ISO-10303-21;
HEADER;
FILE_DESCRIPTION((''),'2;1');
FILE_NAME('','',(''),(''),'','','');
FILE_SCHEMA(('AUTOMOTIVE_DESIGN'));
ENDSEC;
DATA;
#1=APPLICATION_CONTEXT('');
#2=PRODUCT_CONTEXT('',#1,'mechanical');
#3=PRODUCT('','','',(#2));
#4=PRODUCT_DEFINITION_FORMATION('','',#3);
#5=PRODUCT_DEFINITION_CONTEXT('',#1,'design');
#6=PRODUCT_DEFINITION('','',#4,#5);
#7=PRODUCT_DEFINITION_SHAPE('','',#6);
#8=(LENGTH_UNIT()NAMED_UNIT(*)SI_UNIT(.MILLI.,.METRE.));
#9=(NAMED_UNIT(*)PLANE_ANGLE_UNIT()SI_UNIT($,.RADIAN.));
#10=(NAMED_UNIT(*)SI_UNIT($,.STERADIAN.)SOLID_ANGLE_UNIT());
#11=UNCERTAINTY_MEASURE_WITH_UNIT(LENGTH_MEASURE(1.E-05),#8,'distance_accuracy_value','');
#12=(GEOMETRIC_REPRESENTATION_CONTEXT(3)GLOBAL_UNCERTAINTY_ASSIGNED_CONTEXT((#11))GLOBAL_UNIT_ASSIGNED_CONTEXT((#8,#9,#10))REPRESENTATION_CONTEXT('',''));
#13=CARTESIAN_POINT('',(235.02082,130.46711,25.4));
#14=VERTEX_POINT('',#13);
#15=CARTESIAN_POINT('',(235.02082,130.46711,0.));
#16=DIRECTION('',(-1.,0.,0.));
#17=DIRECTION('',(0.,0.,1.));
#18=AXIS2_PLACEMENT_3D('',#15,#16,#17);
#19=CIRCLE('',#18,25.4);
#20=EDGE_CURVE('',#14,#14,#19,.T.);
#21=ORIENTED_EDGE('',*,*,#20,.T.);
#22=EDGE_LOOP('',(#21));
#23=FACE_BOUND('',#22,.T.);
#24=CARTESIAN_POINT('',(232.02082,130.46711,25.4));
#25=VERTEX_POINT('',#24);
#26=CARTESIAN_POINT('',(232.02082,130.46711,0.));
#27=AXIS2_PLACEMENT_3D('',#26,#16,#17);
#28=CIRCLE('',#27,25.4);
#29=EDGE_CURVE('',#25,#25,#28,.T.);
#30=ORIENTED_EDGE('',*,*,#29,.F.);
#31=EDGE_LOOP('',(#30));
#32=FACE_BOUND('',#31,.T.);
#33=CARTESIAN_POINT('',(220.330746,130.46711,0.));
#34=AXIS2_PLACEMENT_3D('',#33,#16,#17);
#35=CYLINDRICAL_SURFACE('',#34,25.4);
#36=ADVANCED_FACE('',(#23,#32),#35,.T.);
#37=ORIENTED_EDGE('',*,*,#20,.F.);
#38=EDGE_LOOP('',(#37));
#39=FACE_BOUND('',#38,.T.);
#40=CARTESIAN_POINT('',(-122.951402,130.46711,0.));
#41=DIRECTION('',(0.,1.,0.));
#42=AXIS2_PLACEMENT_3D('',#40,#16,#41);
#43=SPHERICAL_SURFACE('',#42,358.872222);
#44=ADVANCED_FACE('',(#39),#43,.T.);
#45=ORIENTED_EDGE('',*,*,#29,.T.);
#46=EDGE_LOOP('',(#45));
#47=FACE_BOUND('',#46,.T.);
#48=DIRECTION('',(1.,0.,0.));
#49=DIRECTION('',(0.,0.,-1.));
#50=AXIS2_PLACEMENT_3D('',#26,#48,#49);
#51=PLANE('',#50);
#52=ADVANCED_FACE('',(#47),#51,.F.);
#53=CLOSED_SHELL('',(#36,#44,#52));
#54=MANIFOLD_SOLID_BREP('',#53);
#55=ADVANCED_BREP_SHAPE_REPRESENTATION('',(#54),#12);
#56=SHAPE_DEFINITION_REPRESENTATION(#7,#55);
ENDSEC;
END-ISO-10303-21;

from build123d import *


with BuildPart() as part:
    # 草图1 → 旋转1 (revolve)
    with BuildSketch(Plane.XY):
        with BuildLine():
            Line((232.020820079, 130.467109853), (232.020820079, 155.867109853))
            Line((232.020820079, 155.867109853), (235.020820079, 155.867109853))
            ThreePointArc((235.020820079, 155.867109853), (235.695749502, 143.175079793), (235.920820079, 130.467109853))
            Line((235.920820079, 130.467109853), (232.020820079, 130.467109853))
        make_face()
    revolve(axis=Axis((220.330746457, 130.467109853, 0), (1, 0, 0)))


solid = part.part
